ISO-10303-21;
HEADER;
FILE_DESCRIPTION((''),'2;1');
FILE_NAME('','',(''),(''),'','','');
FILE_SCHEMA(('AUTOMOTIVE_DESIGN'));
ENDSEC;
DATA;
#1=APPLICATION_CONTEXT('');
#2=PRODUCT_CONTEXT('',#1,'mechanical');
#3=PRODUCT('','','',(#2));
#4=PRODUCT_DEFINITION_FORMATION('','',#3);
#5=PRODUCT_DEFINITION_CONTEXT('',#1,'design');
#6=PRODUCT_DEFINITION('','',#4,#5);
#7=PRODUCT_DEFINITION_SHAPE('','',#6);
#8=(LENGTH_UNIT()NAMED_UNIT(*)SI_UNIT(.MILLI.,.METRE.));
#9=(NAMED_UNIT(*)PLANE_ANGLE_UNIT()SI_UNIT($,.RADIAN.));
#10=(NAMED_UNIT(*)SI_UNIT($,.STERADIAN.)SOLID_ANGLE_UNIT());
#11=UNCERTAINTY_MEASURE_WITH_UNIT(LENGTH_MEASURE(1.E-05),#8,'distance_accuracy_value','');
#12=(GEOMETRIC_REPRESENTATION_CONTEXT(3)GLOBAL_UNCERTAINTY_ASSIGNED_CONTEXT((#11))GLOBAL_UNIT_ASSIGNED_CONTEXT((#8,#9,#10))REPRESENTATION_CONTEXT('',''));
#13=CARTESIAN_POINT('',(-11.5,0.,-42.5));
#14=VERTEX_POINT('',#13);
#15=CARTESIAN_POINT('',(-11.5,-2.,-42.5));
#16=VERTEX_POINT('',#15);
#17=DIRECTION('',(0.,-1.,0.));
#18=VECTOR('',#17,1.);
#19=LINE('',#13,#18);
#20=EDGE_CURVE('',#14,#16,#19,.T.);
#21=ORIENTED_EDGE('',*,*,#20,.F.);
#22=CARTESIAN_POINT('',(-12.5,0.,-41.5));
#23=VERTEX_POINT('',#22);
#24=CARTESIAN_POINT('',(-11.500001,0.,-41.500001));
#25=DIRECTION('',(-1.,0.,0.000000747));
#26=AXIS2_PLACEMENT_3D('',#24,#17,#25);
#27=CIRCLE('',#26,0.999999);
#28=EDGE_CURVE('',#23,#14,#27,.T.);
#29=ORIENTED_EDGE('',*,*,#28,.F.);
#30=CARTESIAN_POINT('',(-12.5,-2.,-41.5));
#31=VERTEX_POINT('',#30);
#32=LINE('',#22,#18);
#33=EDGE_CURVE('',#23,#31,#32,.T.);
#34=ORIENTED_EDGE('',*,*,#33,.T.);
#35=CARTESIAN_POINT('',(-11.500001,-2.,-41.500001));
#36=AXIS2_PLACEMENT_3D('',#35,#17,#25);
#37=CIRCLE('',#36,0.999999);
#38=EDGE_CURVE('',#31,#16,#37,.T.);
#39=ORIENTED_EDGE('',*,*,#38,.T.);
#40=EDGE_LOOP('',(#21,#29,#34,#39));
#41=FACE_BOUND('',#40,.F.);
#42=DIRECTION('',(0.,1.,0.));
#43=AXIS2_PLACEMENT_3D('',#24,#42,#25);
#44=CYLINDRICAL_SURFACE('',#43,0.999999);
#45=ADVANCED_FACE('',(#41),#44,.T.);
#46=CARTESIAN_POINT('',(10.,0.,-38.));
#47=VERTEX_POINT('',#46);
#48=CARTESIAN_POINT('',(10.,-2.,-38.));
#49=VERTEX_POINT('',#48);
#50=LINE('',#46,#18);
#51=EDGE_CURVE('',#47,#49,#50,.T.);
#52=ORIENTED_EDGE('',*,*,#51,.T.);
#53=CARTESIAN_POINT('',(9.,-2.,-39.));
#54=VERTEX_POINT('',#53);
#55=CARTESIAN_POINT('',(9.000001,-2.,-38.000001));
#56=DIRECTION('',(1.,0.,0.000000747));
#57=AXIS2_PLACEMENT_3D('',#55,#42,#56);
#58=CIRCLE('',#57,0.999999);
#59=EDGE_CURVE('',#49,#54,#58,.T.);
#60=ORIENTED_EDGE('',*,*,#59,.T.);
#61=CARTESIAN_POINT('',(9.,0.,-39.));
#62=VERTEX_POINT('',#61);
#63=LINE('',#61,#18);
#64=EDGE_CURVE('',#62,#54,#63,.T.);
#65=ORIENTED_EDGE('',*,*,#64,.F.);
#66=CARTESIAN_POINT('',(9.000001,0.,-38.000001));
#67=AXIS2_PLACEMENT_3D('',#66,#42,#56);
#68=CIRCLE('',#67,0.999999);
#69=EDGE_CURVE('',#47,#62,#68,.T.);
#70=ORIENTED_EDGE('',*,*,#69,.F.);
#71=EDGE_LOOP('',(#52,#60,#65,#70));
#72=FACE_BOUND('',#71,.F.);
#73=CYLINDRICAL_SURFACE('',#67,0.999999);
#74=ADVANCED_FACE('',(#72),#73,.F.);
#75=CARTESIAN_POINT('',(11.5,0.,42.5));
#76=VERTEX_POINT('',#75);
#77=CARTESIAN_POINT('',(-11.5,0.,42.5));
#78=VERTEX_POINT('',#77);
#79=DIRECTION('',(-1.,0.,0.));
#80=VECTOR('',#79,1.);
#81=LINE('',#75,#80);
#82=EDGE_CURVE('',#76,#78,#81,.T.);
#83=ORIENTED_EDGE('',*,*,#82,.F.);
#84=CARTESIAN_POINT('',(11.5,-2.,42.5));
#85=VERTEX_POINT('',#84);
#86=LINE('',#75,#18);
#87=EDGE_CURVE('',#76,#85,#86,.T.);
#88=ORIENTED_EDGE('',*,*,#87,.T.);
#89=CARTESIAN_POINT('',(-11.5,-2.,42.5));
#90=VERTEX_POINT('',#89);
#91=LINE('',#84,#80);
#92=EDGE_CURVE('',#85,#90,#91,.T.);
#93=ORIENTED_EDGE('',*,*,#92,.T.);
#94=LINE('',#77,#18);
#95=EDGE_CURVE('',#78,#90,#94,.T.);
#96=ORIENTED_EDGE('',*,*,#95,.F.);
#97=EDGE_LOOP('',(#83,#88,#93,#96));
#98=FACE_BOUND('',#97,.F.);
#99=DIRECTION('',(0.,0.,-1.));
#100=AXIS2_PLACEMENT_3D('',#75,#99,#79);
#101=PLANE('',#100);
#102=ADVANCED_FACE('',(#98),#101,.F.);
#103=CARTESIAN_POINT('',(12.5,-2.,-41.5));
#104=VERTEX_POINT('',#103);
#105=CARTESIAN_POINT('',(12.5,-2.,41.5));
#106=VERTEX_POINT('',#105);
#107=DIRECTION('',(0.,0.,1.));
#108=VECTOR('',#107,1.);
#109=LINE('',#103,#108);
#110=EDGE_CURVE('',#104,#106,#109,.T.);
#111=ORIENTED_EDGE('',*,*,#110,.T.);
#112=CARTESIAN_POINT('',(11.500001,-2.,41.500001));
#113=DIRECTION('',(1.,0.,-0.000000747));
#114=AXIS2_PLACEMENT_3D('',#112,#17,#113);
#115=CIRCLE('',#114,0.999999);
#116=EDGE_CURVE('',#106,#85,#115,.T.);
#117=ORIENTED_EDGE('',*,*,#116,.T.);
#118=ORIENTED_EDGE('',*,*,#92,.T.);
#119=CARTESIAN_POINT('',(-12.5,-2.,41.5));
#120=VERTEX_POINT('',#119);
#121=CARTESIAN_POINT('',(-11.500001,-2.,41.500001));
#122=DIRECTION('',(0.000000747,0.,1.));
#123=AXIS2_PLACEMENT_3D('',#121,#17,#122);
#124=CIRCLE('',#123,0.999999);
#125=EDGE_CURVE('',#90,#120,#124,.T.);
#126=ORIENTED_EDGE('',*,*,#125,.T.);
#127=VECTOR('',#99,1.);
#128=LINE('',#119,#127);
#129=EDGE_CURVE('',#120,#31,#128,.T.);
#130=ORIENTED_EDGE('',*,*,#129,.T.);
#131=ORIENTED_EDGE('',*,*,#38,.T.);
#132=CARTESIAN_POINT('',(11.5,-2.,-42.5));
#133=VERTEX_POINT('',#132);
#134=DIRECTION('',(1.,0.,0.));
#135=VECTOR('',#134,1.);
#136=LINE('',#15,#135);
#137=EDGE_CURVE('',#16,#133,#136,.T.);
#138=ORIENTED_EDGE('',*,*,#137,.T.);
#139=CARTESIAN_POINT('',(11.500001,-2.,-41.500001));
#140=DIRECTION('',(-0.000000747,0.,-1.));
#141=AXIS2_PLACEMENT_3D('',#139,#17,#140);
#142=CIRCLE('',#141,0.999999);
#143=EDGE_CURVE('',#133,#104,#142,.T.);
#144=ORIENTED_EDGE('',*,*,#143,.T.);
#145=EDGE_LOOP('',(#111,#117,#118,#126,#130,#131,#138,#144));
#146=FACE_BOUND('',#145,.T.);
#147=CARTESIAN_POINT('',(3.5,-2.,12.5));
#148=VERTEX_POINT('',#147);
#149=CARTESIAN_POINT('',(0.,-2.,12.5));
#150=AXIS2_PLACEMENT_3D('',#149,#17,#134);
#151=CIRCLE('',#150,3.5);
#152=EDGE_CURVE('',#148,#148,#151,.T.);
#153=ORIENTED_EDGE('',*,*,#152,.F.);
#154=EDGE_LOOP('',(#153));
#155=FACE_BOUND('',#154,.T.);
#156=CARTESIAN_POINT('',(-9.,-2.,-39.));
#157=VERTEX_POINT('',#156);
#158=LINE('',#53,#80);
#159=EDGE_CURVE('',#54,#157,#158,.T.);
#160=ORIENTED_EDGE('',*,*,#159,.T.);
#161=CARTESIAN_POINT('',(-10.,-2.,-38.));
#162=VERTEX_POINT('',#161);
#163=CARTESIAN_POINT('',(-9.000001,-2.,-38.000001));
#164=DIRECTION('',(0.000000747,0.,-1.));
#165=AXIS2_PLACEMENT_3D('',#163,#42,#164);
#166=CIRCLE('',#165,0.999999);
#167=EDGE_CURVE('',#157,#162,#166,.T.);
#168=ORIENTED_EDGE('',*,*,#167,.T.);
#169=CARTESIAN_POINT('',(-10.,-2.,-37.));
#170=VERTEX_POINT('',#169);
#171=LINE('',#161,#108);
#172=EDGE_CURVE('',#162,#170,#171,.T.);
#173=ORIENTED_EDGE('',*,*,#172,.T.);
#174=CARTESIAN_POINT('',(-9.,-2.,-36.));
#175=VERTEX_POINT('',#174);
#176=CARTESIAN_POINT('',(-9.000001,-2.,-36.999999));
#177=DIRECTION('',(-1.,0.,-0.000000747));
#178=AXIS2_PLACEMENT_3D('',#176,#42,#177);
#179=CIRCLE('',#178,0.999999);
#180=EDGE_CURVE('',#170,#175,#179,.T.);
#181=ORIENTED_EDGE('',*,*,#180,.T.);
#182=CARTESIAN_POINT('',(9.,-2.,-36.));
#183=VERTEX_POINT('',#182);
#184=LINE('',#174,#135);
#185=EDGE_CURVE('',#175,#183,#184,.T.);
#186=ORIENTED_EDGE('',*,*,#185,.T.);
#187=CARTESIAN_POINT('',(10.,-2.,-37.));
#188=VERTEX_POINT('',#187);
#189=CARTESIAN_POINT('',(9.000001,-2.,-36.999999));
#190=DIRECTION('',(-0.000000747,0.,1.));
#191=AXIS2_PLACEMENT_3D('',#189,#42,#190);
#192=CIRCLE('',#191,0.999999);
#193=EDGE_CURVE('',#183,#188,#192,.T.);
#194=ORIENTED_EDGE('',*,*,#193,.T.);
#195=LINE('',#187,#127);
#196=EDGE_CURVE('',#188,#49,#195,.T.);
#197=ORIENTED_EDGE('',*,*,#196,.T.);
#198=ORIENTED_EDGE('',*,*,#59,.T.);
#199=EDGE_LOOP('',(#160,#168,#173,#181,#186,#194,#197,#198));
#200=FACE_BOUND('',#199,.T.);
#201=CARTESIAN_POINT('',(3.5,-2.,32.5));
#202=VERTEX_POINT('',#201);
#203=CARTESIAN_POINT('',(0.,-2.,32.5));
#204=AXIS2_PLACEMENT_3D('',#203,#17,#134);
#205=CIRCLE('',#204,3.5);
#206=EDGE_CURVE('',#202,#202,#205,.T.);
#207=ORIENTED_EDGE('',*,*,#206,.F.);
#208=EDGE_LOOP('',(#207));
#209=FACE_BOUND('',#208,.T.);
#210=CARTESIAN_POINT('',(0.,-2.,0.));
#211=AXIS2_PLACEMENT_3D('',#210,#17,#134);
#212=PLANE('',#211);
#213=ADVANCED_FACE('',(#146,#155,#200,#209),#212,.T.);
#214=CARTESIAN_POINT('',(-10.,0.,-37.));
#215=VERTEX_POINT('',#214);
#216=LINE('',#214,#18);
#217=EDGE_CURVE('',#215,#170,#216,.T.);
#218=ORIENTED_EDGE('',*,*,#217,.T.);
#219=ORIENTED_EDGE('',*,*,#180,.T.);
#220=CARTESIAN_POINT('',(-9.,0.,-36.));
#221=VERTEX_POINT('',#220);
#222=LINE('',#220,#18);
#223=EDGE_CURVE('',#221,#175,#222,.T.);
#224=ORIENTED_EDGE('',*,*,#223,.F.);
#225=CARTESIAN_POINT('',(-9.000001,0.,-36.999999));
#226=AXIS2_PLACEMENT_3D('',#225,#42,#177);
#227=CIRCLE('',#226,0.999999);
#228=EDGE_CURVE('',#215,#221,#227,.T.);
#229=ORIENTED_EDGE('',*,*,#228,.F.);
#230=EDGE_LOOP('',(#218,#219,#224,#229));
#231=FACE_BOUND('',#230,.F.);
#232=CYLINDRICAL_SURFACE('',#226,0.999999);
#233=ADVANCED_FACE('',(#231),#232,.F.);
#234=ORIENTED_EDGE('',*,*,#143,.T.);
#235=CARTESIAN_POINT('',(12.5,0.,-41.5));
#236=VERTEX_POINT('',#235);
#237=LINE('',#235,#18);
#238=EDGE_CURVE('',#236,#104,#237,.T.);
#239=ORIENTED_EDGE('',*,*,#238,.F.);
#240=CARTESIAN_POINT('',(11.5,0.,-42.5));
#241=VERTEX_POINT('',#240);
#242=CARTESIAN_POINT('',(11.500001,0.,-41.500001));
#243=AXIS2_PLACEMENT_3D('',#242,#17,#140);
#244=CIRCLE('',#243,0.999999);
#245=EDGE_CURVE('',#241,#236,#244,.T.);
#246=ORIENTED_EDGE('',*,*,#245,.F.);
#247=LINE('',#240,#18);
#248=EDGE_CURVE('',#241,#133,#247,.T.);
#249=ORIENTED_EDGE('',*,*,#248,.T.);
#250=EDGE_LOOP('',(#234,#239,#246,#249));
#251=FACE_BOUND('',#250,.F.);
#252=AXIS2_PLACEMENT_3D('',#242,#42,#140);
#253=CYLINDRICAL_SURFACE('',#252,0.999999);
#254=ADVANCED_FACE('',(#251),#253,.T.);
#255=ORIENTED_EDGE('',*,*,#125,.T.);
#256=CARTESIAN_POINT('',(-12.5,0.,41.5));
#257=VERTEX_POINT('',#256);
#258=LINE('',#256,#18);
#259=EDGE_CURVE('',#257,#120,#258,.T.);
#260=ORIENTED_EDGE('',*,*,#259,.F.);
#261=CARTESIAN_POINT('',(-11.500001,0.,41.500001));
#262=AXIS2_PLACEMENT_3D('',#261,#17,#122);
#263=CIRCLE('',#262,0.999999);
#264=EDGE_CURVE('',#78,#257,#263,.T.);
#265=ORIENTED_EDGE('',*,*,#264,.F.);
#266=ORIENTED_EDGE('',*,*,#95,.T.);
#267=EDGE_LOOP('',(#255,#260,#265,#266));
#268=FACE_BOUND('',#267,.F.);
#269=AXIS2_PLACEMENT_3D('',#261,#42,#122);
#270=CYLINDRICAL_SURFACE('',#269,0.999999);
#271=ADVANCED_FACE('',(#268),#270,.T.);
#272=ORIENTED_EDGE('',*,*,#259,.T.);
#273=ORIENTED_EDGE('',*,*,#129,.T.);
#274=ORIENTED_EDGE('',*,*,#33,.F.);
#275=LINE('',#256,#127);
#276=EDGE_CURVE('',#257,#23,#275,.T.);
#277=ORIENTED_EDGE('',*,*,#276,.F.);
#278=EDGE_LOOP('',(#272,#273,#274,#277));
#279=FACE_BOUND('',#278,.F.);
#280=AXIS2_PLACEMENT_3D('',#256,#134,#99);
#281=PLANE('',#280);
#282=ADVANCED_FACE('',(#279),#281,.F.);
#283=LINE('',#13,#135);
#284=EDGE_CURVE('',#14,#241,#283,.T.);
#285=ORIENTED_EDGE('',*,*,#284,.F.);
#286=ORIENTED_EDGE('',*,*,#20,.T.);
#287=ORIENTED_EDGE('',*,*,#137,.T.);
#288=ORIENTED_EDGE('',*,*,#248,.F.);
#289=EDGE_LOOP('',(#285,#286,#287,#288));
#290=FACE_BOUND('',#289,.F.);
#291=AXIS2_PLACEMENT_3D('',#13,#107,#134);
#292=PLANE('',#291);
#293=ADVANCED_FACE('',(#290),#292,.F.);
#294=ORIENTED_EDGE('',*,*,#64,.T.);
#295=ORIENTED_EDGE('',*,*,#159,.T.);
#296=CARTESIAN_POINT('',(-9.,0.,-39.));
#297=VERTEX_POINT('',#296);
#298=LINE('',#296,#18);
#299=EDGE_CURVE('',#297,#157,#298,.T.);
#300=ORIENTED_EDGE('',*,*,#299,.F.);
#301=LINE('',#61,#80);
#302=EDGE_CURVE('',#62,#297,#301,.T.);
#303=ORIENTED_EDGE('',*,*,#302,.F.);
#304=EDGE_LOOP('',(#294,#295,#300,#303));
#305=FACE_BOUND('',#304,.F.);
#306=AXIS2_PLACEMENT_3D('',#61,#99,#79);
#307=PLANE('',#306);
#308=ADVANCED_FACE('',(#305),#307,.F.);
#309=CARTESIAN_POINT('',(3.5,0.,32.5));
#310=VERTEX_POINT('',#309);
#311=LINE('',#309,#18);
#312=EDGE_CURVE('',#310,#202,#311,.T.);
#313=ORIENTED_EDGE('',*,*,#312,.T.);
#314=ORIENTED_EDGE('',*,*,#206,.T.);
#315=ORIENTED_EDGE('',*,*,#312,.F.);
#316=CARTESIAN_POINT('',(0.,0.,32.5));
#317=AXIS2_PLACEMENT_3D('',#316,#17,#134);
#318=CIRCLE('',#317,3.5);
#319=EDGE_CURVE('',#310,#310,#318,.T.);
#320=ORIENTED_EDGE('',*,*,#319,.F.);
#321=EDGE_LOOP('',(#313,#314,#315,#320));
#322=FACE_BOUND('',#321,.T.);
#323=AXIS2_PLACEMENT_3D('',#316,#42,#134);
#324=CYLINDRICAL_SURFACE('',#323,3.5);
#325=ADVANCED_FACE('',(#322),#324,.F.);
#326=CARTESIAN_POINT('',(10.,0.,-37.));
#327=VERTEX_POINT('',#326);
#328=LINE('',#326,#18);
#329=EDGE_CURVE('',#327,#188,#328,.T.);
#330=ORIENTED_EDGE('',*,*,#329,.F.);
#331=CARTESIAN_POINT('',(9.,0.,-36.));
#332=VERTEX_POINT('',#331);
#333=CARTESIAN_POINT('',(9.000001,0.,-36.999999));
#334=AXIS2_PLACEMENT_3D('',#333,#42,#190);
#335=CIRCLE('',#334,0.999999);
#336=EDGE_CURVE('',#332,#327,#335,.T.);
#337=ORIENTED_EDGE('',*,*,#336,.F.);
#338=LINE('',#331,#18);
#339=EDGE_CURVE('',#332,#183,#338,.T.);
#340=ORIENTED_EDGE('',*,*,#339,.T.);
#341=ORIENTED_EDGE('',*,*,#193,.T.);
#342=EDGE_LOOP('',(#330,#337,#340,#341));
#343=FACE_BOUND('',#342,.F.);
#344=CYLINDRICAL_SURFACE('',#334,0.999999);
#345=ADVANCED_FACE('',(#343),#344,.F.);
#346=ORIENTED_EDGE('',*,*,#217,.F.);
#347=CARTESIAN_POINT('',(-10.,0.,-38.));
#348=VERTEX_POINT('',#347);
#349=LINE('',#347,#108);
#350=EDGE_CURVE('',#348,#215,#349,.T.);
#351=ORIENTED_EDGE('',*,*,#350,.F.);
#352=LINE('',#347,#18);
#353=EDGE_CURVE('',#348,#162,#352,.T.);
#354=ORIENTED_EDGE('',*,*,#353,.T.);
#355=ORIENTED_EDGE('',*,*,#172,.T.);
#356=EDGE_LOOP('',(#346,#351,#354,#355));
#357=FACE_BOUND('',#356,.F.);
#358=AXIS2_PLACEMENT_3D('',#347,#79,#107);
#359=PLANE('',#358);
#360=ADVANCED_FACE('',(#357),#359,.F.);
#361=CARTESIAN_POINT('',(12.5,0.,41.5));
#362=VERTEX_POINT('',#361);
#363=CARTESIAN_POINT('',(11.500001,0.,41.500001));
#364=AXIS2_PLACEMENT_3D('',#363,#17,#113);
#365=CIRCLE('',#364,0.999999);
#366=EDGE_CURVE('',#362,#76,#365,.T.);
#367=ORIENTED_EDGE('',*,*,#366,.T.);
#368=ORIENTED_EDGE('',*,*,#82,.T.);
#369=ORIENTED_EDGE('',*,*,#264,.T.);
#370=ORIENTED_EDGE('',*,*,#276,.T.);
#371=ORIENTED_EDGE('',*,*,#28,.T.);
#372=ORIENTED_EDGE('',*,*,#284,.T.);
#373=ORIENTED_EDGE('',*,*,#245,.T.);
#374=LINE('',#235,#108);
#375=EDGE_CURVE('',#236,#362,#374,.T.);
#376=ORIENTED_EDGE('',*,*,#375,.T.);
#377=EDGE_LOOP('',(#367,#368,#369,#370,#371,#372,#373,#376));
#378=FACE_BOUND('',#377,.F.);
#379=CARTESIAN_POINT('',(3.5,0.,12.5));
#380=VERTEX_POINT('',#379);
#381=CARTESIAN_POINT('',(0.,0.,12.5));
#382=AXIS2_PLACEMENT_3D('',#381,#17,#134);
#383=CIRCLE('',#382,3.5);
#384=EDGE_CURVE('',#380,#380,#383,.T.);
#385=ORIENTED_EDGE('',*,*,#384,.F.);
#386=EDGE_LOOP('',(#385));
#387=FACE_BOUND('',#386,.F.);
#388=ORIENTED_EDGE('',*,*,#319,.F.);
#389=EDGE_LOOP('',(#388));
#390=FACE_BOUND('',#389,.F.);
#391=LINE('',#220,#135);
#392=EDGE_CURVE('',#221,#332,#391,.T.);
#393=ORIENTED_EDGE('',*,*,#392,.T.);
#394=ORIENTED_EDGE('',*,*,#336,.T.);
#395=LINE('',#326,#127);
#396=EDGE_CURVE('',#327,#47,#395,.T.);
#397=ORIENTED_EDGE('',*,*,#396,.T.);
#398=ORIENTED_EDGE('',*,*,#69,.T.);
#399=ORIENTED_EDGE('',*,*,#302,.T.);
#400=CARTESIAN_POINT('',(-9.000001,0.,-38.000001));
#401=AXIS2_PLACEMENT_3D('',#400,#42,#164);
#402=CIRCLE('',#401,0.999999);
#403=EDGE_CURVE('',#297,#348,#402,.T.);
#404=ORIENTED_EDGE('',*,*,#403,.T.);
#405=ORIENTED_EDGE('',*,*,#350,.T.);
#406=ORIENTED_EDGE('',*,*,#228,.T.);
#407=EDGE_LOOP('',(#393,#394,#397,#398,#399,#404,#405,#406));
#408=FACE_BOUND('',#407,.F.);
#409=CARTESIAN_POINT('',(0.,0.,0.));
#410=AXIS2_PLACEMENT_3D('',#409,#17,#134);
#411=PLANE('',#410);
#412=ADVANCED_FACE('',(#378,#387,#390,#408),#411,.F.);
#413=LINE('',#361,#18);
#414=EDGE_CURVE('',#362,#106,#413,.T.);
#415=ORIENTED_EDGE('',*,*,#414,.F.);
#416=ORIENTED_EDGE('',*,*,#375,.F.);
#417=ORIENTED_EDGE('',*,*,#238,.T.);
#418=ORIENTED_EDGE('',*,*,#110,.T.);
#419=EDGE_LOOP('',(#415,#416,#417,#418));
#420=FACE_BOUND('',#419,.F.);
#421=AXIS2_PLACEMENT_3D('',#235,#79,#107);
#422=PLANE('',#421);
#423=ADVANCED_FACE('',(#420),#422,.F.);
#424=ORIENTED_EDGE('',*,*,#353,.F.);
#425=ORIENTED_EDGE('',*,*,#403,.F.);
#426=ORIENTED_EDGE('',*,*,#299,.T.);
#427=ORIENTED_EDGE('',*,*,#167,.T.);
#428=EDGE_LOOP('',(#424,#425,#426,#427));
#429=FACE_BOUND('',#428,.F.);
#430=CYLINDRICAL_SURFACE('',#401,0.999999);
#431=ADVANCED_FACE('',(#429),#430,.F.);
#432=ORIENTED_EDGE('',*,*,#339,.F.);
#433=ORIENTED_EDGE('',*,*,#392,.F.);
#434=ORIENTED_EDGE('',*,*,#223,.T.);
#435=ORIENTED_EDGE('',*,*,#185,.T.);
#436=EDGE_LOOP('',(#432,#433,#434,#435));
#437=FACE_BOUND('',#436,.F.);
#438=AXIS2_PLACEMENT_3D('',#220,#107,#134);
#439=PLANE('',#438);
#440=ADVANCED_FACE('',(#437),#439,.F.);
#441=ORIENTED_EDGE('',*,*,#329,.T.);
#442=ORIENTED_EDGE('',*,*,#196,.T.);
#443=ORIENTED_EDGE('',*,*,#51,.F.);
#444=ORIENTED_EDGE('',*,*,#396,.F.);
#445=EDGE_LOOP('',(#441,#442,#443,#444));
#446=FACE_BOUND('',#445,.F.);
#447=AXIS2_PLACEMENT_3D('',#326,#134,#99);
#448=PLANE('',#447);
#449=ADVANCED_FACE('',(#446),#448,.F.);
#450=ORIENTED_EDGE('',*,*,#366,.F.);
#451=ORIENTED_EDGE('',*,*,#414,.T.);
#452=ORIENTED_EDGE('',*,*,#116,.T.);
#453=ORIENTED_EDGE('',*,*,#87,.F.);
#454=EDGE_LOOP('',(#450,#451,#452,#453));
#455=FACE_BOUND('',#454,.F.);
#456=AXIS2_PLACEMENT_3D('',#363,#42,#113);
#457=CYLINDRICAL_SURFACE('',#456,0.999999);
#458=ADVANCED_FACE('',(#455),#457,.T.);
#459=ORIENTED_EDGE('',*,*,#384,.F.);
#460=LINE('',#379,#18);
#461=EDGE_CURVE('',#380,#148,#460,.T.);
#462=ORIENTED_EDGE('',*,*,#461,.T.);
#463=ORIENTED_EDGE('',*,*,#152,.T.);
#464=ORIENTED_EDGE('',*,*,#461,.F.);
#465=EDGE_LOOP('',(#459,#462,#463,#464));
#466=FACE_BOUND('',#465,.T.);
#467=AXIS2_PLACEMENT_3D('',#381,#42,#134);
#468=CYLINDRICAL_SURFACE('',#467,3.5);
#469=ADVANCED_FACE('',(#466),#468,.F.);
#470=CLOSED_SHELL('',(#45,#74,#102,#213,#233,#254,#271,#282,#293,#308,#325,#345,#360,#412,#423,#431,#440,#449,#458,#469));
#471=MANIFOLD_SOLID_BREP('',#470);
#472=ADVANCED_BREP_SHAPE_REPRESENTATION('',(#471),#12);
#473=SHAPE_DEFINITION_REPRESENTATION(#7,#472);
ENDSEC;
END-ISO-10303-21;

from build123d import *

# Parameters (mm, degrees)
F0_R     = 3.5
F1_DEPTH = 2


with BuildPart() as f1:
    # F0 (on Front) → F1 (new body)
    with BuildSketch(Plane.XZ):
        with BuildLine():
            Line((-11.5, -42.5), (11.5, -42.5))
            ThreePointArc((11.5, -42.5), (12.207107, -42.207107), (12.5, -41.5))
            Line((12.5, -41.5), (12.5, 41.5))
            ThreePointArc((12.5, 41.5), (12.207107, 42.207107), (11.5, 42.5))
            Line((11.5, 42.5), (-11.5, 42.5))
            ThreePointArc((-11.5, 42.5), (-12.207107, 42.207107), (-12.5, 41.5))
            Line((-12.5, 41.5), (-12.5, -41.5))
            ThreePointArc((-12.5, -41.5), (-12.207107, -42.207107), (-11.5, -42.5))
        make_face()
        with BuildLine():
            ThreePointArc((10, -38), (9.707107, -38.707107), (9, -39))
            Line((9, -39), (-9, -39))
            ThreePointArc((-9, -39), (-9.707107, -38.707107), (-10, -38))
            Line((-10, -38), (-10, -37))
            ThreePointArc((-10, -37), (-9.707107, -36.292893), (-9, -36))
            Line((-9, -36), (9, -36))
            ThreePointArc((9, -36), (9.707107, -36.292893), (10, -37))
            Line((10, -37), (10, -38))
        make_face(mode=Mode.SUBTRACT)
        with Locations((0, 12.5)):
            Circle(F0_R, mode=Mode.SUBTRACT)
        with Locations((0, 32.5)):
            Circle(F0_R, mode=Mode.SUBTRACT)
    extrude(amount=F1_DEPTH)


solid = f1.part
